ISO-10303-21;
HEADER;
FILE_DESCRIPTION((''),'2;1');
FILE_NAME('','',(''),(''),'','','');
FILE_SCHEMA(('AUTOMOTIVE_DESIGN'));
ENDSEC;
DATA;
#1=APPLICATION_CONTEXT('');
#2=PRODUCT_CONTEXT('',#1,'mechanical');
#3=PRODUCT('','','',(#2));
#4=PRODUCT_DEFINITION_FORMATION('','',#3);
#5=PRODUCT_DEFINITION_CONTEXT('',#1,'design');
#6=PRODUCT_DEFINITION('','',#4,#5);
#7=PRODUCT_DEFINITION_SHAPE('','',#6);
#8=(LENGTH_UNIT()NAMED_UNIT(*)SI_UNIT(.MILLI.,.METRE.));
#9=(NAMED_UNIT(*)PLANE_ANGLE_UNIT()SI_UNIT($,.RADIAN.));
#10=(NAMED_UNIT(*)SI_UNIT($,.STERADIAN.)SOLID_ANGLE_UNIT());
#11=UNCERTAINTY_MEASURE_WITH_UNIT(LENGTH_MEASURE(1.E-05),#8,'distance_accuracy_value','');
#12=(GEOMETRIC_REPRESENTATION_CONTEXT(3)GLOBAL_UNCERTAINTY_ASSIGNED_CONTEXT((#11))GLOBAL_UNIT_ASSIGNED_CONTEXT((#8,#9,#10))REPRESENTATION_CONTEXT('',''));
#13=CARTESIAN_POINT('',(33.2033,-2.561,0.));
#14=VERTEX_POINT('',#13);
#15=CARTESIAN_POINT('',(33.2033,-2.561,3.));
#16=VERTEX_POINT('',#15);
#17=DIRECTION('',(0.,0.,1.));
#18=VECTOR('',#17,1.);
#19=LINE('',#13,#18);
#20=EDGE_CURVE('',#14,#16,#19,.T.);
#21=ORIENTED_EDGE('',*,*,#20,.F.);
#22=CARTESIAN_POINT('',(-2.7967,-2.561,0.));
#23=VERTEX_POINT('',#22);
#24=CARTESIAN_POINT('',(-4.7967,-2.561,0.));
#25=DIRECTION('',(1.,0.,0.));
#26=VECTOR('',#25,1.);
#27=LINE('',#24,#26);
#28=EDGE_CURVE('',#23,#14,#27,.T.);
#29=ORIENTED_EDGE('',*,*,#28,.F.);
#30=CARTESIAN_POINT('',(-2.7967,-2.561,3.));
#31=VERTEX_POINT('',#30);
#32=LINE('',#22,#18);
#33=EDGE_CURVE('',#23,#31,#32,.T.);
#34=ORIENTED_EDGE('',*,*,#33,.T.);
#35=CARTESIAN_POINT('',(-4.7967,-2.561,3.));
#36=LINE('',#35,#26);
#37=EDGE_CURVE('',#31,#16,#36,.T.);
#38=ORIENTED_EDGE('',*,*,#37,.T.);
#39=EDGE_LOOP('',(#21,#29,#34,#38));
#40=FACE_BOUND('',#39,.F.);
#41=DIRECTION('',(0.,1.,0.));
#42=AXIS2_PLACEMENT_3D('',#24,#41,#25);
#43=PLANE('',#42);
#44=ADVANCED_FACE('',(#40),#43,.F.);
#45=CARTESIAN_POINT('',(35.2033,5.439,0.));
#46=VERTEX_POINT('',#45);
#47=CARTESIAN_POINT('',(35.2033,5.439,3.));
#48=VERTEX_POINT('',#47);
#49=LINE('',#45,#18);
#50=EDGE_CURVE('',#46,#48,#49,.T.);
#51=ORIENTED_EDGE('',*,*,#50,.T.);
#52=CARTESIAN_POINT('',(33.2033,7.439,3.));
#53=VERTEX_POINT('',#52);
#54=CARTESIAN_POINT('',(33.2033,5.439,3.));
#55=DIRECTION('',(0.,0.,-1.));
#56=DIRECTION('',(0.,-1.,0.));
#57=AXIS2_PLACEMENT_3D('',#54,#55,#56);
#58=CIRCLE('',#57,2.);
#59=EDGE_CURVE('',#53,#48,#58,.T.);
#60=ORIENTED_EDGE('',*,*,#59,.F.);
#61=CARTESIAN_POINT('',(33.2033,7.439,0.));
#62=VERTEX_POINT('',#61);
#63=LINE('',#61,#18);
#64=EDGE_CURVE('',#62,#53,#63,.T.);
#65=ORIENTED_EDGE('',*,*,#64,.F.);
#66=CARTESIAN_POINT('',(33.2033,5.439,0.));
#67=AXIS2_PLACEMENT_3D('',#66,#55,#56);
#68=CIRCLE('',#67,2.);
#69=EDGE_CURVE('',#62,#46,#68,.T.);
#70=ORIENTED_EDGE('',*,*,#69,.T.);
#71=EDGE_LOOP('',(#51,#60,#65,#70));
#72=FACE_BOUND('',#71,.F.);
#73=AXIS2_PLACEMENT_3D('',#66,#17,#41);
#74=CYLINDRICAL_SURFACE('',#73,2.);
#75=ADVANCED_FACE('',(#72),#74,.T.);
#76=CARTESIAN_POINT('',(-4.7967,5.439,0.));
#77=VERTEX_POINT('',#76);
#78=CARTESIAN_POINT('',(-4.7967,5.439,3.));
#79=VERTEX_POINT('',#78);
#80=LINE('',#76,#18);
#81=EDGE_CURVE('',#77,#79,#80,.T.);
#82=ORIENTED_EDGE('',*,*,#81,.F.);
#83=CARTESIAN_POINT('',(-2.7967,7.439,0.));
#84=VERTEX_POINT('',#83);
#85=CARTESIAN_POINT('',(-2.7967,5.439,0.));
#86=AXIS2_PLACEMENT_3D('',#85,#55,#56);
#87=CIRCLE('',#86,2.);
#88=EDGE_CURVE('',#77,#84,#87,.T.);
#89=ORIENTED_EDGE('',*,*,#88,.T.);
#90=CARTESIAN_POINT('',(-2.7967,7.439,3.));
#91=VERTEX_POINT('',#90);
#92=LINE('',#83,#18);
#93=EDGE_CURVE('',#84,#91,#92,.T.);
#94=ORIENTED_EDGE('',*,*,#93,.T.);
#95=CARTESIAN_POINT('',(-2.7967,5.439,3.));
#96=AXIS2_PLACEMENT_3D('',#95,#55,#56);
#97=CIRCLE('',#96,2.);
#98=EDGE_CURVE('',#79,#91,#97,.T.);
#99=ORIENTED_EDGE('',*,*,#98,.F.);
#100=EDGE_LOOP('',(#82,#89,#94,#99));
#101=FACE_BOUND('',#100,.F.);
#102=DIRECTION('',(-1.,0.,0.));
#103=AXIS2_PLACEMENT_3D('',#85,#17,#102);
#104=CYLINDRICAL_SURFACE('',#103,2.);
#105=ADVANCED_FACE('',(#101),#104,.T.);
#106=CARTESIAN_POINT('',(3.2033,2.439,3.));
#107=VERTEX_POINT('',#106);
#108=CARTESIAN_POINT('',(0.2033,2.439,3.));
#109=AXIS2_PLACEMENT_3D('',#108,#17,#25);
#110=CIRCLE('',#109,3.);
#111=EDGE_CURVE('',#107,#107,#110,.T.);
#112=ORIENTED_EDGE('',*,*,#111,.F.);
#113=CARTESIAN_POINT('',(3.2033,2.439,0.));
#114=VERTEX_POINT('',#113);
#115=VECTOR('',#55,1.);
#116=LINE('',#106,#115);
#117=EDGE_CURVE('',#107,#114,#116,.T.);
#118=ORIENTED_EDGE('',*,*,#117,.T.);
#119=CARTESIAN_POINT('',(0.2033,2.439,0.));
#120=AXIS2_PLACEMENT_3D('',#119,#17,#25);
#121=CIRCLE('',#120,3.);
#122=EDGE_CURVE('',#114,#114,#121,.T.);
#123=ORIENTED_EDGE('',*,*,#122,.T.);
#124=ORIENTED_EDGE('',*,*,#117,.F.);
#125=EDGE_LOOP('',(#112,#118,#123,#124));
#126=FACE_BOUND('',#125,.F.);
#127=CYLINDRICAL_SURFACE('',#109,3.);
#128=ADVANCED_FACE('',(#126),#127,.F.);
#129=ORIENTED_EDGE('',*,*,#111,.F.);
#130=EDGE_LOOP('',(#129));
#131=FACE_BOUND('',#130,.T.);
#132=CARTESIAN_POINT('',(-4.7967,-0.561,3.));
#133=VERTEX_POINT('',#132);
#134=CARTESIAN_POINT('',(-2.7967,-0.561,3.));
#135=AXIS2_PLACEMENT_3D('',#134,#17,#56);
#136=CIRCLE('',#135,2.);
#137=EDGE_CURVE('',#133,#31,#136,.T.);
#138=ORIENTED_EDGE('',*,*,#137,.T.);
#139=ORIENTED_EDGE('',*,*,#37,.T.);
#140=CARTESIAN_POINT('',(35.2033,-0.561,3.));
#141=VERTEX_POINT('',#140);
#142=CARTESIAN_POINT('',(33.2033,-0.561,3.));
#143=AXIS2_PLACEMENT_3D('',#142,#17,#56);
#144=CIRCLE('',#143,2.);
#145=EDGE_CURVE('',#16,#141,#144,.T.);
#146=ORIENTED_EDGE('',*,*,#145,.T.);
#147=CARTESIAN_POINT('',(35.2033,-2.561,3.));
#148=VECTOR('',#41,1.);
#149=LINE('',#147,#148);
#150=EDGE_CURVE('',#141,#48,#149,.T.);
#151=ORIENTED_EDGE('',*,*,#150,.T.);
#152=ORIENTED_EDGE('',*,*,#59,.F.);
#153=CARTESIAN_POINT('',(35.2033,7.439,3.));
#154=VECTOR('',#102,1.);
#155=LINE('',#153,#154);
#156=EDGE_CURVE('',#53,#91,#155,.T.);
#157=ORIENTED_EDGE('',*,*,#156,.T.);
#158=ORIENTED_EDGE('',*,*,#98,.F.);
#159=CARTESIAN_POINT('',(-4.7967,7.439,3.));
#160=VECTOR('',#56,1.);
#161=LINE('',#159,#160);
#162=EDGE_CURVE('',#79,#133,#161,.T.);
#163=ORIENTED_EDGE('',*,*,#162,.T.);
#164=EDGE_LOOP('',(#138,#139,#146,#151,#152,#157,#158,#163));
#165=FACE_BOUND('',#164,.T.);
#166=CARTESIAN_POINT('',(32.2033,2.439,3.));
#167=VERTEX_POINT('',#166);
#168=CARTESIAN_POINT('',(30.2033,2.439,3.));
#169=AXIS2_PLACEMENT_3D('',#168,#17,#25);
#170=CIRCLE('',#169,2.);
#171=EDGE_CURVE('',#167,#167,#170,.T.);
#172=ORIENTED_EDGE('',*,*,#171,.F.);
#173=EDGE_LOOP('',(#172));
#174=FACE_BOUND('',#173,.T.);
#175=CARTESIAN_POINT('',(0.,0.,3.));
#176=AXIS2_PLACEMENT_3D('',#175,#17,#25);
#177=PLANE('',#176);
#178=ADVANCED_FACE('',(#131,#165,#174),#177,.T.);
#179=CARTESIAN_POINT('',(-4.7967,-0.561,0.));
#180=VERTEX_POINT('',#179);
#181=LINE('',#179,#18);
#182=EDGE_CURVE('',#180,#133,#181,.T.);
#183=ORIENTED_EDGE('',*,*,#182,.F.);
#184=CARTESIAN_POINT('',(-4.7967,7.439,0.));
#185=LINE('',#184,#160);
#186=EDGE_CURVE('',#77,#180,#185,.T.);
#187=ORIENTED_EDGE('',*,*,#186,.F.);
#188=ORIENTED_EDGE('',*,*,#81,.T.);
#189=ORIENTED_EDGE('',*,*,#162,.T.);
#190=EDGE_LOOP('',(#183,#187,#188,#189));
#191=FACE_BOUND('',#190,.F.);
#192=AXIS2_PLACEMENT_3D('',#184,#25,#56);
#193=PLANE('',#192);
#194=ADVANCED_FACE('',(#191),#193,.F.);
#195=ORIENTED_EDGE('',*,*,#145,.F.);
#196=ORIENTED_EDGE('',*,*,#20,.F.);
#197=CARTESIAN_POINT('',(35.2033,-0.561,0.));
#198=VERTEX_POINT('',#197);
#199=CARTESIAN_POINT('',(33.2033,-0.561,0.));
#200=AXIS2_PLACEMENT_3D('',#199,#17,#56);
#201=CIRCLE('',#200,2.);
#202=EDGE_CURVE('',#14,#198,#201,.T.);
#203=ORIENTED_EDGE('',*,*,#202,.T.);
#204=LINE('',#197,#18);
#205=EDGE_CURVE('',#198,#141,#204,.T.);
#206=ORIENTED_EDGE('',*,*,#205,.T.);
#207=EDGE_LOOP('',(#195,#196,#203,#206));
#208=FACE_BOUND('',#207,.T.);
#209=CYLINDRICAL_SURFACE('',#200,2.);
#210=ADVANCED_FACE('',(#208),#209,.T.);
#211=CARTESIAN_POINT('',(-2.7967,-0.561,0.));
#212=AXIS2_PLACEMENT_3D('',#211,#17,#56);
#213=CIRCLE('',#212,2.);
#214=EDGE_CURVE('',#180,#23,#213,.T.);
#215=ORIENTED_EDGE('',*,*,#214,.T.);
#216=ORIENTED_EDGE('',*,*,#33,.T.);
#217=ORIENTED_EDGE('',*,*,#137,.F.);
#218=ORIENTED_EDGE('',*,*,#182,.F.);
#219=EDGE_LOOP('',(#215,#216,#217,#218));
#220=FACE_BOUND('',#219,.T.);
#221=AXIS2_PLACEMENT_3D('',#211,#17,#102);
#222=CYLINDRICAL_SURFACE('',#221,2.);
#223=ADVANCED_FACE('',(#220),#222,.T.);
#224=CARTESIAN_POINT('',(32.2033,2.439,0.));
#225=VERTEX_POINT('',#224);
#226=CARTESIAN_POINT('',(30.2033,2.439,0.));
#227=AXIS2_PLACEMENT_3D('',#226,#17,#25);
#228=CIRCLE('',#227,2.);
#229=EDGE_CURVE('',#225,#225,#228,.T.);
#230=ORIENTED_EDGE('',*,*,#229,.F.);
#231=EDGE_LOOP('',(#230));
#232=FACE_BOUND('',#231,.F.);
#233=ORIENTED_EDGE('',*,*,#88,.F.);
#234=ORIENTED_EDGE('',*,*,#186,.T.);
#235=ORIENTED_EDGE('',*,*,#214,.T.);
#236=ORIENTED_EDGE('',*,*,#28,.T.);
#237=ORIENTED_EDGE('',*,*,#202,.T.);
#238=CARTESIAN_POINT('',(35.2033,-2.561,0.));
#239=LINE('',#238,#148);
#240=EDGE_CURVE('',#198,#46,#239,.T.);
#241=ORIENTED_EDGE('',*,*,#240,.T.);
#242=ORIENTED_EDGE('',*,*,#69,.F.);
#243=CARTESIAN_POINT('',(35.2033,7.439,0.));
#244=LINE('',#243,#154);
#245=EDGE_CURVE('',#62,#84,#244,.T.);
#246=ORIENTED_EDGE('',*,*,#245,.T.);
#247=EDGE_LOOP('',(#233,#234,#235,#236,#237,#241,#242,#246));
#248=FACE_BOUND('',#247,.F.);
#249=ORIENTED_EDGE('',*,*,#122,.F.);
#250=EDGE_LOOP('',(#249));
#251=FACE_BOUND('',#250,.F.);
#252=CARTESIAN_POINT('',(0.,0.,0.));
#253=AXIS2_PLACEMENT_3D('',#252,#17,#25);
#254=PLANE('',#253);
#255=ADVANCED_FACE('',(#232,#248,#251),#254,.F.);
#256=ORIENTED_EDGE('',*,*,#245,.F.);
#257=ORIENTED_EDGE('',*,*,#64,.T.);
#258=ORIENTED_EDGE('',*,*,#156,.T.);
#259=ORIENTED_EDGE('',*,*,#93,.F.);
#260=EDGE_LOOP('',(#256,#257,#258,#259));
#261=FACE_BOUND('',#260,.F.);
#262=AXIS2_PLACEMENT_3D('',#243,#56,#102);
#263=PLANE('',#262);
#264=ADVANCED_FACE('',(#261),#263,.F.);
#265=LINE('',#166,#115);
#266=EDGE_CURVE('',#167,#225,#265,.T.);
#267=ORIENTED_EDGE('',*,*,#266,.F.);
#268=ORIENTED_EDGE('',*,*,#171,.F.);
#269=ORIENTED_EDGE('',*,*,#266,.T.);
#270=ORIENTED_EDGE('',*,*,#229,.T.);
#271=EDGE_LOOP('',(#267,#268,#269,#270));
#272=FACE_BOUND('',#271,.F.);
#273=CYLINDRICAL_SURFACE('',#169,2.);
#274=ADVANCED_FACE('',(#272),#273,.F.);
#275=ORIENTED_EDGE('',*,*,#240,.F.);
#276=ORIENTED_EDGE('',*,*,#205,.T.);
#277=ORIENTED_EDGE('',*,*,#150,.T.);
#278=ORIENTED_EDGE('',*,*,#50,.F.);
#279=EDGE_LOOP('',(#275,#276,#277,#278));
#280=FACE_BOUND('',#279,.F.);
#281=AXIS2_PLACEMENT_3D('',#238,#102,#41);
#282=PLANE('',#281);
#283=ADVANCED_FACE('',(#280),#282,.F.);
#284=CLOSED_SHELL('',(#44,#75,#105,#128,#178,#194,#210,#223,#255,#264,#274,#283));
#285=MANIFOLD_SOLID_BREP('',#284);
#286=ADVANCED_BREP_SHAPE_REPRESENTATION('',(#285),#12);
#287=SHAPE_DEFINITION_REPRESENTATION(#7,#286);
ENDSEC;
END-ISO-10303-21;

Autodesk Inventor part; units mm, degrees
ref_plane "YZ Plane" through (0, 0, 0) normal (1, 0, 0) x (0, 1, 0)
ref_plane "XZ Plane" through (0, 0, 0) normal (0, 1, 0) x (-1, 0, 0)
ref_plane "XY Plane" through (0, 0, 0) normal (0, 0, 1) x (1, 0, 0)
sketch "Эскиз1" plane through (0, 0, 0) normal (0, 0, 1) x (1, 0, 0)
  line L0 (-4.7967, -2.561) -> (35.2033, -2.561)
  line L1 (35.2033, -2.561) -> (35.2033, 7.439)
  line L2 (35.2033, 7.439) -> (-4.7967, 7.439)
  line L3 (-4.7967, 7.439) -> (-4.7967, -2.561)
  point P0 (0, 0)
  dimension "d0" = 10
  dimension "d1" = 40
extrude "Выдавливание1" add sketch "Эскиз1" along normal blind 3
sketch "Эскиз2" plane through (0, 0, 3) normal (0, 0, 1) x (1, 0, 0)
  line L0 (-4.7967, 7.439) -> (-4.7967, -2.561) projected
  circle A0 centre (0.2033, 2.439) radius 3
  circle A1 centre (30.2033, 2.439) radius 2
  line L1 (35.2033, -2.561) -> (35.2033, 7.439) projected
  point P0 (0, 0)
  point P1 (-4.7967, 2.439)
  dimension "d4" = 6
  dimension "d5" = 5
  dimension "d6" = 4
  dimension "d7" = 5
extrude "Выдавливание2" cut sketch "Эскиз2" against normal blind 10
fillet "Сопряжение1" radius 2 4 edges at (-4.7967, 7.439, 1.5) (-4.7967, -2.561, 1.5) (35.2033, -2.561, 1.5) (35.2033, 7.439, 1.5)
properties part number "лапка сервы"
